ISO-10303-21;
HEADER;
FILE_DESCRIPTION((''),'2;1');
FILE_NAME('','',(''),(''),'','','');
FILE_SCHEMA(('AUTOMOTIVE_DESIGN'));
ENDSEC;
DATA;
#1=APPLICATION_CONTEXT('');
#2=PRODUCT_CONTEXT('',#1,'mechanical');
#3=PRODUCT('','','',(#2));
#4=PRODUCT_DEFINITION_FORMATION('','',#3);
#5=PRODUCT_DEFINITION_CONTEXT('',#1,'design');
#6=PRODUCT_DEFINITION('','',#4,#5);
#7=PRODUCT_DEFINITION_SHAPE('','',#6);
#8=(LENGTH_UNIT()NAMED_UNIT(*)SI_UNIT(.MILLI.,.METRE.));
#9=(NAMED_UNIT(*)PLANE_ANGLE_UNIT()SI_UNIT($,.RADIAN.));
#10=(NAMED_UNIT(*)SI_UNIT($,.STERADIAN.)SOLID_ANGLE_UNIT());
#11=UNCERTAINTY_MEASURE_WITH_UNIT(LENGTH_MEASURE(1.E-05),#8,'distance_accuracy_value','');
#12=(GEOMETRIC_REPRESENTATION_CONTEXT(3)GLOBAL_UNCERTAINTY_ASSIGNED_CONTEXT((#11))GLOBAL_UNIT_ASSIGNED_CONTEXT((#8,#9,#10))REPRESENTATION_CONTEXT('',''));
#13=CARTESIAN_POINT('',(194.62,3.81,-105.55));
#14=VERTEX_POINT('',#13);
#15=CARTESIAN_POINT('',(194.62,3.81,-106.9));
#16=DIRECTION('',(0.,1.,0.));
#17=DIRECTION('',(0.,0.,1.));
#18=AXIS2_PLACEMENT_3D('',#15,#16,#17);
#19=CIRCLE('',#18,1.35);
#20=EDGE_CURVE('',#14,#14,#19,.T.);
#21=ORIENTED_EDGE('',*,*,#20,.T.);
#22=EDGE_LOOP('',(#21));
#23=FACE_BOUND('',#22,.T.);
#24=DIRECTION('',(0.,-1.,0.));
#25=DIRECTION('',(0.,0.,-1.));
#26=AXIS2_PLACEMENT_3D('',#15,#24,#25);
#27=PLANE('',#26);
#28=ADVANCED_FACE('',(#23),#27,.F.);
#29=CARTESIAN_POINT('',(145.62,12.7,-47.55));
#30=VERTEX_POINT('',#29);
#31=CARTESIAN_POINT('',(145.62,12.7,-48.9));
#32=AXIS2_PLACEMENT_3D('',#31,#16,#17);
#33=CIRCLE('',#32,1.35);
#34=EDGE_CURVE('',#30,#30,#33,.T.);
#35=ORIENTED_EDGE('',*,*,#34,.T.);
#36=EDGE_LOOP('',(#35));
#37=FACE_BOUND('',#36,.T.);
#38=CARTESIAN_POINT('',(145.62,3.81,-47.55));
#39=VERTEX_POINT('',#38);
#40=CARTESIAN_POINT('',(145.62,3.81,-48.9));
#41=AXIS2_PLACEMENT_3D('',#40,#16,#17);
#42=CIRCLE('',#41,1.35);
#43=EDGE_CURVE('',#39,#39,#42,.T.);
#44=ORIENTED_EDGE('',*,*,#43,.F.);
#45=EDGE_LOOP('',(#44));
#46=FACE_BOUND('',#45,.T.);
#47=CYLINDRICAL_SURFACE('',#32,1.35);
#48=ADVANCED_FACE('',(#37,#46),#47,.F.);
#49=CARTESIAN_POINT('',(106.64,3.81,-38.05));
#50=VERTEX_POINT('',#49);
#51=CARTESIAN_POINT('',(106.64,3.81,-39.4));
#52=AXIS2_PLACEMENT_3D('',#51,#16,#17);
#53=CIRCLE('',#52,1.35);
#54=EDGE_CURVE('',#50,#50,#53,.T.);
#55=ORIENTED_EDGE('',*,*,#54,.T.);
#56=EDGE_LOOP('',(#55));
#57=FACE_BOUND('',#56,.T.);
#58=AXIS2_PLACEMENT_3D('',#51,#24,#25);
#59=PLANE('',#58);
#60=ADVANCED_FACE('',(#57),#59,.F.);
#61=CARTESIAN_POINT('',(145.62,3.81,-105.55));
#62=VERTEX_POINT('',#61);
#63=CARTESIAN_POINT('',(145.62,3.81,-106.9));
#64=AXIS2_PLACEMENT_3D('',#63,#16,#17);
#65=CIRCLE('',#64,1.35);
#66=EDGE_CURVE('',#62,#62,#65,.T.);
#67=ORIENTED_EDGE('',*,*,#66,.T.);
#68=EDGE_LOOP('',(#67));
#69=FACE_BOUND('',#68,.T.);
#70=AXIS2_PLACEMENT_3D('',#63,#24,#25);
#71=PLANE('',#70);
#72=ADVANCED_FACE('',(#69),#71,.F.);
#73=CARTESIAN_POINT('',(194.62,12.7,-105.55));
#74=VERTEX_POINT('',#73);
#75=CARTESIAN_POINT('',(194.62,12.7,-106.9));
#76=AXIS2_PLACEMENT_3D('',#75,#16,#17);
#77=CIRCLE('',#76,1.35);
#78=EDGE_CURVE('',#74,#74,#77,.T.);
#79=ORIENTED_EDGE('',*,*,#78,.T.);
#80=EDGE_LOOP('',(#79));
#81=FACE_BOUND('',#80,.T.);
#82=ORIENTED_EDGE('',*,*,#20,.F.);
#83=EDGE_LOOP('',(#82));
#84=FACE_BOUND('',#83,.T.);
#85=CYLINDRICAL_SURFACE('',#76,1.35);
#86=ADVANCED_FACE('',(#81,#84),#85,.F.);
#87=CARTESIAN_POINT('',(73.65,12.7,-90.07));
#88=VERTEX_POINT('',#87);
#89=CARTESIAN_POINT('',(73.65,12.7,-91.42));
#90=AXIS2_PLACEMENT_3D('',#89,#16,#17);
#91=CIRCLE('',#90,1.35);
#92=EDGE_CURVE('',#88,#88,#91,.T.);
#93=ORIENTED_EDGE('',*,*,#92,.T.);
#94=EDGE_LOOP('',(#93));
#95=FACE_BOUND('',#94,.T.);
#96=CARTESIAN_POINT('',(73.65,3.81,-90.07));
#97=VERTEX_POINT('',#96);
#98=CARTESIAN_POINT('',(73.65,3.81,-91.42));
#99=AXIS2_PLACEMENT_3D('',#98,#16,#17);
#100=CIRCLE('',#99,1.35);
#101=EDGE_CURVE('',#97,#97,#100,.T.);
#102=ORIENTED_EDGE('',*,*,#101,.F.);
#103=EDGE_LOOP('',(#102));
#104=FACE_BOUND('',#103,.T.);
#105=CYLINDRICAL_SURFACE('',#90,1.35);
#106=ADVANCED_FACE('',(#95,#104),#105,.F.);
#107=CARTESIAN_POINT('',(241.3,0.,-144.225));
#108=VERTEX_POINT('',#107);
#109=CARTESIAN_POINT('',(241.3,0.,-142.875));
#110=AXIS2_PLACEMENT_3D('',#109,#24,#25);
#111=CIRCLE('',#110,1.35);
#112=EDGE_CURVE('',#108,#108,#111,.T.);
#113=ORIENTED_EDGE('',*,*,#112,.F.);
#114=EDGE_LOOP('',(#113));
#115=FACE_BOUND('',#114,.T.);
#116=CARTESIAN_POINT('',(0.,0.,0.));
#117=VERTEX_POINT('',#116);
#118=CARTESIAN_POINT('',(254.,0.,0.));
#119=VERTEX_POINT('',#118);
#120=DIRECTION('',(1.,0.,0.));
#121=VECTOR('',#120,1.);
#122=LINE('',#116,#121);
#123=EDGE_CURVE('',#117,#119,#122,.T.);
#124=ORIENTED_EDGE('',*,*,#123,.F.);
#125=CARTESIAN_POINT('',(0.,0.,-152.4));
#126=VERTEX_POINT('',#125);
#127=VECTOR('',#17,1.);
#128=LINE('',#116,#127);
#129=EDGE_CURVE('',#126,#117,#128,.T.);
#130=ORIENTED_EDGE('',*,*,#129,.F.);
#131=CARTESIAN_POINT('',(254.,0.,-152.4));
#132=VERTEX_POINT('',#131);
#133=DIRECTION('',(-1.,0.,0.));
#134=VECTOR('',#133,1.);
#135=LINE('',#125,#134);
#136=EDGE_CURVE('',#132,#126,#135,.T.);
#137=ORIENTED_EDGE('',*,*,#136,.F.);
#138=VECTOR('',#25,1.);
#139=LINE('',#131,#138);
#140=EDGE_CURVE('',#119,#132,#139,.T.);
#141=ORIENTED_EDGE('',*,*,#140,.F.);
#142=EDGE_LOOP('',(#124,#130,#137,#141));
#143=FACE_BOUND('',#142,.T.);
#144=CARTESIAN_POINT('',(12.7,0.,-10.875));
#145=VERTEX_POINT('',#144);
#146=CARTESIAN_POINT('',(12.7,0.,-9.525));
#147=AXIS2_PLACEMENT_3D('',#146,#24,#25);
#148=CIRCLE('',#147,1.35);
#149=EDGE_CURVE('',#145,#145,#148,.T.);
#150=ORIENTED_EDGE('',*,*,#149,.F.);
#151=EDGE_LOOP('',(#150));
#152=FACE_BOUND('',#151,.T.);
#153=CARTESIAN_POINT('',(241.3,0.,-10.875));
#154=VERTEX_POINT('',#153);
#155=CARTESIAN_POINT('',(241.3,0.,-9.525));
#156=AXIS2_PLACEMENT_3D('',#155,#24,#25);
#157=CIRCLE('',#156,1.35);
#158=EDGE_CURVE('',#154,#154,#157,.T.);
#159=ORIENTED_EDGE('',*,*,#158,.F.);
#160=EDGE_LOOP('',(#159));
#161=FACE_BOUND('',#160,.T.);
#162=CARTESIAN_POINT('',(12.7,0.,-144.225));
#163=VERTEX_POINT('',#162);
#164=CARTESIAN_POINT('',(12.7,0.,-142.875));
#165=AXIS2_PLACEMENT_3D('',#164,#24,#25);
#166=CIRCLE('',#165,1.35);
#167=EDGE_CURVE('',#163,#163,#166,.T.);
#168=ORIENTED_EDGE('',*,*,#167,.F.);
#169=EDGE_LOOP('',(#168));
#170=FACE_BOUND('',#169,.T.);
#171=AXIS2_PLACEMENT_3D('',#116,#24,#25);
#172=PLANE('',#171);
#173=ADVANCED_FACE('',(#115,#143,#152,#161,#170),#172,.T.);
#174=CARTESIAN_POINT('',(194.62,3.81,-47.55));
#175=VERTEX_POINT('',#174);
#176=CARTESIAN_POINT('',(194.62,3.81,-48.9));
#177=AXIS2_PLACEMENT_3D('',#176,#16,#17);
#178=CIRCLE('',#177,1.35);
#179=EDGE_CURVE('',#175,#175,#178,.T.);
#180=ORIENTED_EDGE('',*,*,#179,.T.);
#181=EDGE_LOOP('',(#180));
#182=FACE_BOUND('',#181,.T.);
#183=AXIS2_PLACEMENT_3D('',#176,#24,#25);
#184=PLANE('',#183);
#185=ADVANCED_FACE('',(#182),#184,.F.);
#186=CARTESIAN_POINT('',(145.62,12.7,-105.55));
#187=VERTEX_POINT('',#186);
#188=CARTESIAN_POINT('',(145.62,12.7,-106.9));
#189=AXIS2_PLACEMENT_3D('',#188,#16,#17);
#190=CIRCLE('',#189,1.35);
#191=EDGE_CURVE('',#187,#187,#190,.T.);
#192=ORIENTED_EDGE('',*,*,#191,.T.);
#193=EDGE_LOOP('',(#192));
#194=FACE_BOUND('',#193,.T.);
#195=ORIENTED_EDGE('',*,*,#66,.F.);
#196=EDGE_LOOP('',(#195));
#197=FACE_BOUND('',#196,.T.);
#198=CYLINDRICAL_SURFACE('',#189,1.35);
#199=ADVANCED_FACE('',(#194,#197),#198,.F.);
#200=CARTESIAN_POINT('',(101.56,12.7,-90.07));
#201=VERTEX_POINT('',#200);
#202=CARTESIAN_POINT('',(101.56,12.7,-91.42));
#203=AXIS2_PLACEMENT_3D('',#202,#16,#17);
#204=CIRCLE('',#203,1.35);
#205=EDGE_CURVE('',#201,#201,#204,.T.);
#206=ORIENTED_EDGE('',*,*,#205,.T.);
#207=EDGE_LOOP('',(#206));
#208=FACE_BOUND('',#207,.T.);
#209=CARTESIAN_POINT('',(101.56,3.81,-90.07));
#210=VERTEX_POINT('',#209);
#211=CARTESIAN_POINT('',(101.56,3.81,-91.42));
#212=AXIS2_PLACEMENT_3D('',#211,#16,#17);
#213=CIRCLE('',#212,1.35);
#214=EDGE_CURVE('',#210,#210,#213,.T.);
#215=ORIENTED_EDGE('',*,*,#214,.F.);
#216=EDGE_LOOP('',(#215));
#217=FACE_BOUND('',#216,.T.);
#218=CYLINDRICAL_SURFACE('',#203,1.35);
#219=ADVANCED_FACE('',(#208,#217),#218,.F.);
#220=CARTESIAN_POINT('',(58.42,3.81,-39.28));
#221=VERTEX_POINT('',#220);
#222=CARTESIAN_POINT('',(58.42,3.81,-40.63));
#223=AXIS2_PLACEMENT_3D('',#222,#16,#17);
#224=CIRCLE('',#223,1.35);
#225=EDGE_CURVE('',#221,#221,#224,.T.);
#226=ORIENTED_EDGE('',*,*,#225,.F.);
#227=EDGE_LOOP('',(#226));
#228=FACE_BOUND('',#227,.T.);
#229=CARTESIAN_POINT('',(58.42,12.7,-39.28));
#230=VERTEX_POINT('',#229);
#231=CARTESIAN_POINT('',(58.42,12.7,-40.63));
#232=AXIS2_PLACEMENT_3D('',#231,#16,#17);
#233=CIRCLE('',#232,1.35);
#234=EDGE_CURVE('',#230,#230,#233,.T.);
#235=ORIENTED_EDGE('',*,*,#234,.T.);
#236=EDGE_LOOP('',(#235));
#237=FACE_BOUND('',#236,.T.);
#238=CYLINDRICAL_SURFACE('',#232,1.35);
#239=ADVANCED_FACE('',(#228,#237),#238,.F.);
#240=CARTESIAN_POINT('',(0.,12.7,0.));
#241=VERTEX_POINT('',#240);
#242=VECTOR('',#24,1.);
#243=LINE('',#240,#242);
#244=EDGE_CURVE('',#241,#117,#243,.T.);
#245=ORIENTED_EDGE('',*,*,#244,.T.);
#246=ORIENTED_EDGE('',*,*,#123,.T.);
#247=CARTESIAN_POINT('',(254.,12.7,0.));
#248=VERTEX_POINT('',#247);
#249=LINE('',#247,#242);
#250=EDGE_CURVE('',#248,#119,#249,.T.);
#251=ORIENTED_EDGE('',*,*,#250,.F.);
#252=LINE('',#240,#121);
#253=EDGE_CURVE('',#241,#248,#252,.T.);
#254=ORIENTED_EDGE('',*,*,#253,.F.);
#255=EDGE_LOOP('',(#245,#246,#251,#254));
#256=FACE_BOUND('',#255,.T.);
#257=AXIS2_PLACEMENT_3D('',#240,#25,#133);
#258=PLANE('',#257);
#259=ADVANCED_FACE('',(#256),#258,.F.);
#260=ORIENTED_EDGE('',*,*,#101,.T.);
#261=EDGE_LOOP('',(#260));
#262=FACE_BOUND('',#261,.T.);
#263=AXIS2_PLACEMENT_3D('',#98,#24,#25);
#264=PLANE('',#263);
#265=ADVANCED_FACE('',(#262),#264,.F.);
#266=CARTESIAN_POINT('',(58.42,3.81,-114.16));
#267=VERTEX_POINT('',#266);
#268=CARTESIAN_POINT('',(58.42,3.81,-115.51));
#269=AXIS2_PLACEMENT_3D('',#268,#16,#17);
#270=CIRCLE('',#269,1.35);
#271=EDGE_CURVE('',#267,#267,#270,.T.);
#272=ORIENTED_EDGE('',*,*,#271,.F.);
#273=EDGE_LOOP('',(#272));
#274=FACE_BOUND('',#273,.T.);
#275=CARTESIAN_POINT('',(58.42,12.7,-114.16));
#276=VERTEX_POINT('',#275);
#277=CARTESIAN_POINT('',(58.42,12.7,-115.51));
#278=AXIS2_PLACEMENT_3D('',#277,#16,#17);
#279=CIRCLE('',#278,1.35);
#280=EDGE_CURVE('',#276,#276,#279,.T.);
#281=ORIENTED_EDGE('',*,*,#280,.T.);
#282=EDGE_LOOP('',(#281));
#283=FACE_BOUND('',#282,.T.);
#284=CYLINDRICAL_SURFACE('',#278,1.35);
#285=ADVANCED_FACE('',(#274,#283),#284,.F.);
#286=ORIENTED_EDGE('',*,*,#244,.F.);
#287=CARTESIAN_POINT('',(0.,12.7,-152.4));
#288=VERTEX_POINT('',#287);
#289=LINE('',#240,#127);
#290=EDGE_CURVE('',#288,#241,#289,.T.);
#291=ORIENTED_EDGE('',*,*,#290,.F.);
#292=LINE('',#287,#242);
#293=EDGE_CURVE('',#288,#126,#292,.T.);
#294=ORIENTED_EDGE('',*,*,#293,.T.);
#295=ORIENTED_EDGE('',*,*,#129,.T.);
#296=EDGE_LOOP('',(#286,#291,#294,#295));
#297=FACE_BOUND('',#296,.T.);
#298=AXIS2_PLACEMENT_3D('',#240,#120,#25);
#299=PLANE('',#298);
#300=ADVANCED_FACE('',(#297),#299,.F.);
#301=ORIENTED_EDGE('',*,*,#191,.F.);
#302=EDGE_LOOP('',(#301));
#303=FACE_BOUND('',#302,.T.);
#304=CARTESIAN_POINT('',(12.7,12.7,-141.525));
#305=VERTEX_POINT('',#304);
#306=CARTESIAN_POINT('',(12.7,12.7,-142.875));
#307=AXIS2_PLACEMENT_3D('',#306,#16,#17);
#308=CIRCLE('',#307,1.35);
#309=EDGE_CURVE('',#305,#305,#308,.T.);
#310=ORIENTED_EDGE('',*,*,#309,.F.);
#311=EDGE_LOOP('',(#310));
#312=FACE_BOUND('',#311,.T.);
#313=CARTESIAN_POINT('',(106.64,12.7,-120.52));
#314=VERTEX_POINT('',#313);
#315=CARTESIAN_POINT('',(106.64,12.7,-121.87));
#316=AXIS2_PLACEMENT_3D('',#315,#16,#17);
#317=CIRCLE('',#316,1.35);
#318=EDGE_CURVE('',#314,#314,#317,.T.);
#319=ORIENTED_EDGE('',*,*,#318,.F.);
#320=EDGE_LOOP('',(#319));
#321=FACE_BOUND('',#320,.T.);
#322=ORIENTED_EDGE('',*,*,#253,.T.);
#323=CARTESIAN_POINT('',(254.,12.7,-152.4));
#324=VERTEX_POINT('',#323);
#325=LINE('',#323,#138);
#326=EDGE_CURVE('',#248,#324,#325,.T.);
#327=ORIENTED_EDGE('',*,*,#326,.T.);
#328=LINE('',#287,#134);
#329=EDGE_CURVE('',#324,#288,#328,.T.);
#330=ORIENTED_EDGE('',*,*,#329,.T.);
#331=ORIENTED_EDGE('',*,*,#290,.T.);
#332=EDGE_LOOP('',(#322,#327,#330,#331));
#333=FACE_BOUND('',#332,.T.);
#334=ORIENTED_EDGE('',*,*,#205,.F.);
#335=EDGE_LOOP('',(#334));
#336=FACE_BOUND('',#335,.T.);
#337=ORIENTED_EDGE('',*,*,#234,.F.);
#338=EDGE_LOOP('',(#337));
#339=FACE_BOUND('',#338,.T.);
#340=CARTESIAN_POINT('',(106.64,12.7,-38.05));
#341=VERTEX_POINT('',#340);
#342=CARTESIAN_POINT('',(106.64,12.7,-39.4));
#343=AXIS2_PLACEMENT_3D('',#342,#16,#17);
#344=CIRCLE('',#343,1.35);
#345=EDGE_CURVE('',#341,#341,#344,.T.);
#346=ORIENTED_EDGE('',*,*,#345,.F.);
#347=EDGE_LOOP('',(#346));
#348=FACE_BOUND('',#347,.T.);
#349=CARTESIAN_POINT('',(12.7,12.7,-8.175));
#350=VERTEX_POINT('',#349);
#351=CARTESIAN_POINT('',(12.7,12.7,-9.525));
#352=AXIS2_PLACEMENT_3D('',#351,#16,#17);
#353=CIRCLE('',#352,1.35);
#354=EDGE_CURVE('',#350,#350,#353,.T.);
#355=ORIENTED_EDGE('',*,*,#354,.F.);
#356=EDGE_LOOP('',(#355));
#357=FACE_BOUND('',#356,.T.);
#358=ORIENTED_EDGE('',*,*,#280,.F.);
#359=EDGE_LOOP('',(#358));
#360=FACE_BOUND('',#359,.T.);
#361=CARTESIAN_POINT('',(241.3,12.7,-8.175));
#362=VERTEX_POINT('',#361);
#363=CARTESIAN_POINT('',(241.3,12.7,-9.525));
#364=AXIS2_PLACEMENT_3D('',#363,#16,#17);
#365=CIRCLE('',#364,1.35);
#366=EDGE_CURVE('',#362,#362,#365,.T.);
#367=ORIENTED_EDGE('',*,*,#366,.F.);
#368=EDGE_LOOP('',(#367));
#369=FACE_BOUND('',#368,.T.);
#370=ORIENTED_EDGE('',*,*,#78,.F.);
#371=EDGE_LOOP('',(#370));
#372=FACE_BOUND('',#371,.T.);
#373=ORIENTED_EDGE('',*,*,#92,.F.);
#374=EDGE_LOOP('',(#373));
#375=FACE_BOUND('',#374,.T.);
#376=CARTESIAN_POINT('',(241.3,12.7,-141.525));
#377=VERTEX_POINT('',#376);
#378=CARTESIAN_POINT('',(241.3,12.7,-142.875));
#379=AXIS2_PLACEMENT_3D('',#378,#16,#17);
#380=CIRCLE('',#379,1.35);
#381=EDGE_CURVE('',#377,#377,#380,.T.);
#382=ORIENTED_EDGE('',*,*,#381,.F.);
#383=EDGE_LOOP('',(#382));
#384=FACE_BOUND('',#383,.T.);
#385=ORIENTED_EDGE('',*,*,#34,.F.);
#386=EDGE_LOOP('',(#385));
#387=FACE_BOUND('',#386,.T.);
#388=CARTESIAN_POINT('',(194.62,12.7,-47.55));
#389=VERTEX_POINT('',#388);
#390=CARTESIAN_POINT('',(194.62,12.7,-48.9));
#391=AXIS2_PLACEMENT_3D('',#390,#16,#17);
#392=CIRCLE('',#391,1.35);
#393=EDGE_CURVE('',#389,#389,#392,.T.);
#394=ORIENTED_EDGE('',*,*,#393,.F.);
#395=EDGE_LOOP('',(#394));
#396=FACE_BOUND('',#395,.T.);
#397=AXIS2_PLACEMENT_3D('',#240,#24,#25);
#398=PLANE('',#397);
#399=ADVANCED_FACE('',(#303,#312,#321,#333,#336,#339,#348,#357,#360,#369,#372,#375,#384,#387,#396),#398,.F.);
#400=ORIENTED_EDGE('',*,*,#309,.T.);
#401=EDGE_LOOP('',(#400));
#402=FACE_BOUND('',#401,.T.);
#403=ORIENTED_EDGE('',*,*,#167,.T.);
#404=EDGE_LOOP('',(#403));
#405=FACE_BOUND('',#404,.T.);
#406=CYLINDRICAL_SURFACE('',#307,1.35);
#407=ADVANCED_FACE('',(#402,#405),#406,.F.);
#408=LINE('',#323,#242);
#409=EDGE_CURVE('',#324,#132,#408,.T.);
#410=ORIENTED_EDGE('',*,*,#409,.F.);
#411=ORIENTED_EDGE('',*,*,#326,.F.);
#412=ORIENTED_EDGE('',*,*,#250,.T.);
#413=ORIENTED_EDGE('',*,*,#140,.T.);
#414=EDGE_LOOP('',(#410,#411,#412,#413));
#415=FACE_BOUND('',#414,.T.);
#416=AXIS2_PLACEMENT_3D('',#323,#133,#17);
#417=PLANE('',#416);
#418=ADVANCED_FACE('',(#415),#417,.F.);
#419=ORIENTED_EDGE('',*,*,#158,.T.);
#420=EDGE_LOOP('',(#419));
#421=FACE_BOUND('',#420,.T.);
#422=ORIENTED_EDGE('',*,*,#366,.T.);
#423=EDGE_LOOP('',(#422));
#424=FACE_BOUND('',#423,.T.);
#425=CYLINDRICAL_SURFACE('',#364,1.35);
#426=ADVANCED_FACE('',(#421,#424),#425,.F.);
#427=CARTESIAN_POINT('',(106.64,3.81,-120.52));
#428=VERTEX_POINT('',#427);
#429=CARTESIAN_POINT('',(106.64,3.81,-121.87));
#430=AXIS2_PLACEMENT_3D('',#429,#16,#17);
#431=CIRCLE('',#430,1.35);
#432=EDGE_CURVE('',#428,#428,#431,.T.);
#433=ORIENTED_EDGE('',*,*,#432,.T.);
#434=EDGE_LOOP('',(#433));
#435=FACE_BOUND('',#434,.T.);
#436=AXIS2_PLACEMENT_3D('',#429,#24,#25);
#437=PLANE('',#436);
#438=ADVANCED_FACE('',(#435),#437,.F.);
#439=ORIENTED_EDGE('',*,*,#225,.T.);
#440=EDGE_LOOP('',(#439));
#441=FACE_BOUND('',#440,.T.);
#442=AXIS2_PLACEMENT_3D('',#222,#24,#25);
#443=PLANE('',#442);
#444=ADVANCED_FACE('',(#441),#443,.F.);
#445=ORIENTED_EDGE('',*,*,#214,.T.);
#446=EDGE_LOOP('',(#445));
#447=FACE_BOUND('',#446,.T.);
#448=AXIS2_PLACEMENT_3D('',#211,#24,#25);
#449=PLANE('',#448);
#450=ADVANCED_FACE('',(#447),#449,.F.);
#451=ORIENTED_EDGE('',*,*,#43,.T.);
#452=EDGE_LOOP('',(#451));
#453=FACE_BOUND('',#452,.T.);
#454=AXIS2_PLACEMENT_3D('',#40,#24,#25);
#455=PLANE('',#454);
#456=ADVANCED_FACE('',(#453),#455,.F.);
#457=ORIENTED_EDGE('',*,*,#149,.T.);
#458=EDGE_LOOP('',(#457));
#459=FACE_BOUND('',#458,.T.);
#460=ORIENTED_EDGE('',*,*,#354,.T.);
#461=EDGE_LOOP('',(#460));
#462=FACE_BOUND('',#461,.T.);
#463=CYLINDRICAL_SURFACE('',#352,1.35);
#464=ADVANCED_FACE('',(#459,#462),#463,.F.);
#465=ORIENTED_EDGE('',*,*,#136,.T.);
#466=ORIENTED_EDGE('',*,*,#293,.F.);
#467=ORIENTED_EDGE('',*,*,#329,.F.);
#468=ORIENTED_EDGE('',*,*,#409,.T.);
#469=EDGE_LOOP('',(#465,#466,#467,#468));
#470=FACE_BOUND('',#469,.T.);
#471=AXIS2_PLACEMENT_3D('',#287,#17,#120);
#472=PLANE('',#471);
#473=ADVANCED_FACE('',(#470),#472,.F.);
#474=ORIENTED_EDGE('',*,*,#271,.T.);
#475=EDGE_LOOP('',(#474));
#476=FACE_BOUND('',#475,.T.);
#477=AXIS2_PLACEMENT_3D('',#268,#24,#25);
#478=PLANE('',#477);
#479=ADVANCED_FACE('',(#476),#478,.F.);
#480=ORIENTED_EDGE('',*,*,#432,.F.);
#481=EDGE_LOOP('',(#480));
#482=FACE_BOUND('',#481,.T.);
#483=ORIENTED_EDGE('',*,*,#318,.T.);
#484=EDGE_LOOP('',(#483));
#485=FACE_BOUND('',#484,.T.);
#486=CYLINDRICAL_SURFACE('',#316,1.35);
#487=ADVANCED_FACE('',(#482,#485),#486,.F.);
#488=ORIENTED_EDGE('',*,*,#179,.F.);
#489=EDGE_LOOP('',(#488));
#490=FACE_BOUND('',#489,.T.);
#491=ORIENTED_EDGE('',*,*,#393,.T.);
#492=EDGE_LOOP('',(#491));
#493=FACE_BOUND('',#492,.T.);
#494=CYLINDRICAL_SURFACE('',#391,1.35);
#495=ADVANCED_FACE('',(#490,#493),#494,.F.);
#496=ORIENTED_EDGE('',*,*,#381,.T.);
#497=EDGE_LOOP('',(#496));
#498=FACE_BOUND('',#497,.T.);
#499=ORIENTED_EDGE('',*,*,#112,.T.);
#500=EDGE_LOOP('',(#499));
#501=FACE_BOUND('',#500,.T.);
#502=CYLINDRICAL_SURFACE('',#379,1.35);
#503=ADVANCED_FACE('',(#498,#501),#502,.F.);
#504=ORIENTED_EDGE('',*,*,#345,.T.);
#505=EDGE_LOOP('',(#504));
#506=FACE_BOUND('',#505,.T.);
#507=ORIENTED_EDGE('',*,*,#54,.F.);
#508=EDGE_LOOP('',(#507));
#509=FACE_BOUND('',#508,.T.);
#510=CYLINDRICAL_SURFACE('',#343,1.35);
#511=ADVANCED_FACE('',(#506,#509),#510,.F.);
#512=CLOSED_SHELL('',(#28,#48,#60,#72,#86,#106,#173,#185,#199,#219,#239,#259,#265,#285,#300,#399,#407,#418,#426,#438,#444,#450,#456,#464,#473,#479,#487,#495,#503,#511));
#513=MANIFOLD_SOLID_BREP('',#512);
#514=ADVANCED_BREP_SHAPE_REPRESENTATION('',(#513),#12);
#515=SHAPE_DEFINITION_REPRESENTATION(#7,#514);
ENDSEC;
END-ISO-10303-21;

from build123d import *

# Parameters (mm, degrees)
ESQUISSE1_W            = 254
ESQUISSE1_H            = 152.4
BOSS_EXTRU_1_DEPTH     = 12.7
D_GAGEMENT_M2_51_D     = 2.7
D_GAGEMENT_M2_51_DEPTH = 8.89
D_GAGEMENT_M2_52_D     = 2.7
D_GAGEMENT_M2_52_DEPTH = 95.25


with BuildPart() as part:
    # Esquisse1 → Boss.-Extru.1 (new body)
    with BuildSketch(Plane(origin=(0, 0, 0), x_dir=(1, 0, 0), z_dir=(0, 1, 0))):
        with Locations((127, 76.2)):
            Rectangle(ESQUISSE1_W, ESQUISSE1_H)
    extrude(amount=BOSS_EXTRU_1_DEPTH)

    # Dégagement M2.51
    with Locations(Plane(origin=(0, 12.7, 0), x_dir=(1, 0, 0), z_dir=(0, 1, 0))):
        with Locations((194.619999888, 48.9), (194.619999888, 106.9), (145.619999888, 106.9), (145.619999888, 48.9), (106.64, 121.87), (58.42, 115.51), (101.56, 91.42), (73.65, 91.42), (58.42, 40.63), (106.64, 39.4)):
            Hole(D_GAGEMENT_M2_51_D / 2, depth=D_GAGEMENT_M2_51_DEPTH)

    # Dégagement M2.52
    with Locations(Plane(origin=(0, 12.7, 0), x_dir=(1, 0, 0), z_dir=(0, 1, 0))):
        with Locations((12.7, 9.525), (241.3, 9.525), (241.3, 142.875), (12.7, 142.875)):
            Hole(D_GAGEMENT_M2_52_D / 2, depth=D_GAGEMENT_M2_52_DEPTH)


solid = part.part
